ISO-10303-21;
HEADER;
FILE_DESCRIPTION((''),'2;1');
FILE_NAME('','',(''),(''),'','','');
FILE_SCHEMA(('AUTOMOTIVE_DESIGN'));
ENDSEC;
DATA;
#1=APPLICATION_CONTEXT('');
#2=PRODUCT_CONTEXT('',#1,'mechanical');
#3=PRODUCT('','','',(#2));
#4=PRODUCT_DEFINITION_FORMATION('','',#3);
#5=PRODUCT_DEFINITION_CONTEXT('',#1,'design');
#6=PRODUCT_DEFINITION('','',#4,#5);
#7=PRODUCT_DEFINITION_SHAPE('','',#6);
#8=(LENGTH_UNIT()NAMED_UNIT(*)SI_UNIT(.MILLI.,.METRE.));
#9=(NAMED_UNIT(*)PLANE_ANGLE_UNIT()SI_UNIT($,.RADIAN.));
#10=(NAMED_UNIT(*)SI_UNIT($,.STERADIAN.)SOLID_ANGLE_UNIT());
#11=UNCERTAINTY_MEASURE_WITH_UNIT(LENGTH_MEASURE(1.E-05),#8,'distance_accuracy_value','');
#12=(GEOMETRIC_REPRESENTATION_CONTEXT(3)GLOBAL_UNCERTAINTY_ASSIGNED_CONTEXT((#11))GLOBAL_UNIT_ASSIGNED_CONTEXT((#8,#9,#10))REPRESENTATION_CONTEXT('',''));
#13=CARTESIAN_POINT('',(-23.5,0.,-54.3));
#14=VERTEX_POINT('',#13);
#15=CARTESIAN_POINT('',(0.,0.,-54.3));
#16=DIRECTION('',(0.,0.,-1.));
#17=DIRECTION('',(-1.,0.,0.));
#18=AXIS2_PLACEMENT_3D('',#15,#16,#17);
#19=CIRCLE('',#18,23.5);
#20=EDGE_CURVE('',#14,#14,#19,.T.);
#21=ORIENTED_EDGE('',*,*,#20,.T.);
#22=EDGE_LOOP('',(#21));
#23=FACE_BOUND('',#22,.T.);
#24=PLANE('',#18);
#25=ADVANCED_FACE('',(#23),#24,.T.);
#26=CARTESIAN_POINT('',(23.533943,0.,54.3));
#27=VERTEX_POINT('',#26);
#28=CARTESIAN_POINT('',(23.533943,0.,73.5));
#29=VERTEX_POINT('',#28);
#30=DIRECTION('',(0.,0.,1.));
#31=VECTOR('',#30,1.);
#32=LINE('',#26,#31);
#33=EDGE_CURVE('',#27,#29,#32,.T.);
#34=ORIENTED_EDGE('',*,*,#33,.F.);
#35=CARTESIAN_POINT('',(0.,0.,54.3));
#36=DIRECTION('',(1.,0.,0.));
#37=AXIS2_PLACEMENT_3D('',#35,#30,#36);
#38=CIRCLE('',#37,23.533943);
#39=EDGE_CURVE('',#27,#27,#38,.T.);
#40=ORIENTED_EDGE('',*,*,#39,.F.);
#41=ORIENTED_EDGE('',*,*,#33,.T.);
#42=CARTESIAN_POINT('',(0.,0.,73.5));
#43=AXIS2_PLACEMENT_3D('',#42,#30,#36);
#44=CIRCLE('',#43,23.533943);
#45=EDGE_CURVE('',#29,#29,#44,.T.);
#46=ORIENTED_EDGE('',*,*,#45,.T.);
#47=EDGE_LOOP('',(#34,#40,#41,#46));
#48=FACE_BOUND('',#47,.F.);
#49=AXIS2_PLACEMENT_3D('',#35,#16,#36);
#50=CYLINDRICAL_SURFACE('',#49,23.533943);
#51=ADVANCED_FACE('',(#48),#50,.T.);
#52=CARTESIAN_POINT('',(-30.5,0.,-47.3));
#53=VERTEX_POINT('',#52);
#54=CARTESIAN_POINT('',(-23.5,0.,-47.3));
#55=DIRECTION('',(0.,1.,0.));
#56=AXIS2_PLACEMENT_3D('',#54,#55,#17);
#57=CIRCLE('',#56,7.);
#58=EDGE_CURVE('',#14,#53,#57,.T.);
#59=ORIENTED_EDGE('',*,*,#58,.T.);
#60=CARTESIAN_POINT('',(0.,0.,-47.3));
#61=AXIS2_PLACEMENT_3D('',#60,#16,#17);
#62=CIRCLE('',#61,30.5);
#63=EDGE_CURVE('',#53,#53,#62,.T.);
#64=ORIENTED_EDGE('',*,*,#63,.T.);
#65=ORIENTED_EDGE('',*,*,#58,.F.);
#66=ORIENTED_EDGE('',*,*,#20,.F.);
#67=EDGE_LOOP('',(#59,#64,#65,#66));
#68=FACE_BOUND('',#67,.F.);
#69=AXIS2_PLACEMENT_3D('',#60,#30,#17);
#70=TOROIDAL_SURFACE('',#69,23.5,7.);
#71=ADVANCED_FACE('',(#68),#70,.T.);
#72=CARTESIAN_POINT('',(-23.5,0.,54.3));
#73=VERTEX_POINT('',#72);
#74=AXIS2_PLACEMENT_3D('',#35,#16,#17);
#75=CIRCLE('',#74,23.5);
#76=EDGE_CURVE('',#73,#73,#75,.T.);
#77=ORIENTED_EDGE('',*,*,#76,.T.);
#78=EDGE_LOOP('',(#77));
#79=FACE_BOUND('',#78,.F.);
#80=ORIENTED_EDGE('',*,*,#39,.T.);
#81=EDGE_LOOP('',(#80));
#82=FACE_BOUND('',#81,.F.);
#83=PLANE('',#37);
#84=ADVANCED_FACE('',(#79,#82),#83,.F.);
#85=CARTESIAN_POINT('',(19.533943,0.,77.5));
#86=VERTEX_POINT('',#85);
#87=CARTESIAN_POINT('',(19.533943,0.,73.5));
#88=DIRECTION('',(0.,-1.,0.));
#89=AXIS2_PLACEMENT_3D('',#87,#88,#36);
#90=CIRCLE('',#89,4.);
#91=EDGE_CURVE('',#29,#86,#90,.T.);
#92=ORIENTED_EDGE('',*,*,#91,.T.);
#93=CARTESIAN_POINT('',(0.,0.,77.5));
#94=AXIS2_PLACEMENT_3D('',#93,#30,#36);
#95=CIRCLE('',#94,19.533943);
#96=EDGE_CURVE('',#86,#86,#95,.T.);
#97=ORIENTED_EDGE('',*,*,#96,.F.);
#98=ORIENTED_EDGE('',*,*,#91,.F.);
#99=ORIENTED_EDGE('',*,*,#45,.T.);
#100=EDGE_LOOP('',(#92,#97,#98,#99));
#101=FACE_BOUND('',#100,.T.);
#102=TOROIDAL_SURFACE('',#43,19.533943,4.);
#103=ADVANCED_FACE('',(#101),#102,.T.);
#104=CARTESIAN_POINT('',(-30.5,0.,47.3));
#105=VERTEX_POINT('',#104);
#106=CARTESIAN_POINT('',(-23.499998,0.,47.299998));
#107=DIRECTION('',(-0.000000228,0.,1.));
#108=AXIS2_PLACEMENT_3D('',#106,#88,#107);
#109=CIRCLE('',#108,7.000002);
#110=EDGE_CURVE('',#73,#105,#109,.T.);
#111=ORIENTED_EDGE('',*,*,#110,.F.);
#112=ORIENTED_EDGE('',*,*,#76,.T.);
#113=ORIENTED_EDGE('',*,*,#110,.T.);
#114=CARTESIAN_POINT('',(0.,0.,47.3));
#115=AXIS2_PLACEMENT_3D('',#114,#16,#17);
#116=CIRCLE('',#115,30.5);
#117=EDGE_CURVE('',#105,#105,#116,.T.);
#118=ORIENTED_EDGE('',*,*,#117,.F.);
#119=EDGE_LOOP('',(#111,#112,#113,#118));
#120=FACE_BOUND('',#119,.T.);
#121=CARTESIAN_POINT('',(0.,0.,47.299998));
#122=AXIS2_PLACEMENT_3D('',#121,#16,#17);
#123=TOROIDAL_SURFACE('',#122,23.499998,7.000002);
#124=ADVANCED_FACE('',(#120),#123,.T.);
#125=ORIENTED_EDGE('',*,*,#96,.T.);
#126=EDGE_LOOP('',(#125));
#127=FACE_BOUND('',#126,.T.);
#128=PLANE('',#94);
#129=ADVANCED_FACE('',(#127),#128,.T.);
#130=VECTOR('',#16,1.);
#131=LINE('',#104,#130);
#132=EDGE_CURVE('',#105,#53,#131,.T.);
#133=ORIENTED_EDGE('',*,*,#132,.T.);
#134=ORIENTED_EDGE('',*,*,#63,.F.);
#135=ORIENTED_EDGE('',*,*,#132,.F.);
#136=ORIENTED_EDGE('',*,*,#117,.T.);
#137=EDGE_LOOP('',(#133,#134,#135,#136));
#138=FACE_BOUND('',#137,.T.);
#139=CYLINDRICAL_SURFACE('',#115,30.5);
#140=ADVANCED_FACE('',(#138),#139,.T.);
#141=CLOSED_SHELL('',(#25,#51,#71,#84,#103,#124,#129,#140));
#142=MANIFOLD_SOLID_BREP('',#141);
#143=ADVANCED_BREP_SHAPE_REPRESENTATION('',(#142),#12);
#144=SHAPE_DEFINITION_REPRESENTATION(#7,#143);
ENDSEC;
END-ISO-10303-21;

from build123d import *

# Parameters (mm, degrees)
F2_R     = 7
F3_R     = 23.533943
F4_DEPTH = 23.2
F5_R     = 4


with BuildPart() as f1:
    # F0 (on Front) → F1 (revolve)
    with BuildSketch(Plane.XZ):
        with BuildLine():
            Line((-30.5, -54.3), (0, -54.3))
            Line((0, -54.3), (0, 54.3))
            Line((0, 54.3), (-23.5, 54.3))
            ThreePointArc((-23.5, 54.3), (-28.449747, 52.249747), (-30.5, 47.3))
            Line((-30.5, 47.3), (-30.5, -54.3))
        make_face()
    revolve(axis=Axis((0, 0, 0), (0, 0, -1)))

    # F2
    f2_edges = [f1.edges().sort_by_distance(p)[0] for p in [
        (30.5, 0, -54.3),
    ]]
    fillet(f2_edges, radius=F2_R)

    # F3 (on face) → F4 (join)
    with BuildSketch(Plane.XY.offset(54.3)):
        Circle(F3_R)
    extrude(amount=F4_DEPTH)

    # F5
    f5_edges = [f1.edges().sort_by_distance(p)[0] for p in [
        (-23.533943, 0, 77.5),
    ]]
    fillet(f5_edges, radius=F5_R)


solid = f1.part
